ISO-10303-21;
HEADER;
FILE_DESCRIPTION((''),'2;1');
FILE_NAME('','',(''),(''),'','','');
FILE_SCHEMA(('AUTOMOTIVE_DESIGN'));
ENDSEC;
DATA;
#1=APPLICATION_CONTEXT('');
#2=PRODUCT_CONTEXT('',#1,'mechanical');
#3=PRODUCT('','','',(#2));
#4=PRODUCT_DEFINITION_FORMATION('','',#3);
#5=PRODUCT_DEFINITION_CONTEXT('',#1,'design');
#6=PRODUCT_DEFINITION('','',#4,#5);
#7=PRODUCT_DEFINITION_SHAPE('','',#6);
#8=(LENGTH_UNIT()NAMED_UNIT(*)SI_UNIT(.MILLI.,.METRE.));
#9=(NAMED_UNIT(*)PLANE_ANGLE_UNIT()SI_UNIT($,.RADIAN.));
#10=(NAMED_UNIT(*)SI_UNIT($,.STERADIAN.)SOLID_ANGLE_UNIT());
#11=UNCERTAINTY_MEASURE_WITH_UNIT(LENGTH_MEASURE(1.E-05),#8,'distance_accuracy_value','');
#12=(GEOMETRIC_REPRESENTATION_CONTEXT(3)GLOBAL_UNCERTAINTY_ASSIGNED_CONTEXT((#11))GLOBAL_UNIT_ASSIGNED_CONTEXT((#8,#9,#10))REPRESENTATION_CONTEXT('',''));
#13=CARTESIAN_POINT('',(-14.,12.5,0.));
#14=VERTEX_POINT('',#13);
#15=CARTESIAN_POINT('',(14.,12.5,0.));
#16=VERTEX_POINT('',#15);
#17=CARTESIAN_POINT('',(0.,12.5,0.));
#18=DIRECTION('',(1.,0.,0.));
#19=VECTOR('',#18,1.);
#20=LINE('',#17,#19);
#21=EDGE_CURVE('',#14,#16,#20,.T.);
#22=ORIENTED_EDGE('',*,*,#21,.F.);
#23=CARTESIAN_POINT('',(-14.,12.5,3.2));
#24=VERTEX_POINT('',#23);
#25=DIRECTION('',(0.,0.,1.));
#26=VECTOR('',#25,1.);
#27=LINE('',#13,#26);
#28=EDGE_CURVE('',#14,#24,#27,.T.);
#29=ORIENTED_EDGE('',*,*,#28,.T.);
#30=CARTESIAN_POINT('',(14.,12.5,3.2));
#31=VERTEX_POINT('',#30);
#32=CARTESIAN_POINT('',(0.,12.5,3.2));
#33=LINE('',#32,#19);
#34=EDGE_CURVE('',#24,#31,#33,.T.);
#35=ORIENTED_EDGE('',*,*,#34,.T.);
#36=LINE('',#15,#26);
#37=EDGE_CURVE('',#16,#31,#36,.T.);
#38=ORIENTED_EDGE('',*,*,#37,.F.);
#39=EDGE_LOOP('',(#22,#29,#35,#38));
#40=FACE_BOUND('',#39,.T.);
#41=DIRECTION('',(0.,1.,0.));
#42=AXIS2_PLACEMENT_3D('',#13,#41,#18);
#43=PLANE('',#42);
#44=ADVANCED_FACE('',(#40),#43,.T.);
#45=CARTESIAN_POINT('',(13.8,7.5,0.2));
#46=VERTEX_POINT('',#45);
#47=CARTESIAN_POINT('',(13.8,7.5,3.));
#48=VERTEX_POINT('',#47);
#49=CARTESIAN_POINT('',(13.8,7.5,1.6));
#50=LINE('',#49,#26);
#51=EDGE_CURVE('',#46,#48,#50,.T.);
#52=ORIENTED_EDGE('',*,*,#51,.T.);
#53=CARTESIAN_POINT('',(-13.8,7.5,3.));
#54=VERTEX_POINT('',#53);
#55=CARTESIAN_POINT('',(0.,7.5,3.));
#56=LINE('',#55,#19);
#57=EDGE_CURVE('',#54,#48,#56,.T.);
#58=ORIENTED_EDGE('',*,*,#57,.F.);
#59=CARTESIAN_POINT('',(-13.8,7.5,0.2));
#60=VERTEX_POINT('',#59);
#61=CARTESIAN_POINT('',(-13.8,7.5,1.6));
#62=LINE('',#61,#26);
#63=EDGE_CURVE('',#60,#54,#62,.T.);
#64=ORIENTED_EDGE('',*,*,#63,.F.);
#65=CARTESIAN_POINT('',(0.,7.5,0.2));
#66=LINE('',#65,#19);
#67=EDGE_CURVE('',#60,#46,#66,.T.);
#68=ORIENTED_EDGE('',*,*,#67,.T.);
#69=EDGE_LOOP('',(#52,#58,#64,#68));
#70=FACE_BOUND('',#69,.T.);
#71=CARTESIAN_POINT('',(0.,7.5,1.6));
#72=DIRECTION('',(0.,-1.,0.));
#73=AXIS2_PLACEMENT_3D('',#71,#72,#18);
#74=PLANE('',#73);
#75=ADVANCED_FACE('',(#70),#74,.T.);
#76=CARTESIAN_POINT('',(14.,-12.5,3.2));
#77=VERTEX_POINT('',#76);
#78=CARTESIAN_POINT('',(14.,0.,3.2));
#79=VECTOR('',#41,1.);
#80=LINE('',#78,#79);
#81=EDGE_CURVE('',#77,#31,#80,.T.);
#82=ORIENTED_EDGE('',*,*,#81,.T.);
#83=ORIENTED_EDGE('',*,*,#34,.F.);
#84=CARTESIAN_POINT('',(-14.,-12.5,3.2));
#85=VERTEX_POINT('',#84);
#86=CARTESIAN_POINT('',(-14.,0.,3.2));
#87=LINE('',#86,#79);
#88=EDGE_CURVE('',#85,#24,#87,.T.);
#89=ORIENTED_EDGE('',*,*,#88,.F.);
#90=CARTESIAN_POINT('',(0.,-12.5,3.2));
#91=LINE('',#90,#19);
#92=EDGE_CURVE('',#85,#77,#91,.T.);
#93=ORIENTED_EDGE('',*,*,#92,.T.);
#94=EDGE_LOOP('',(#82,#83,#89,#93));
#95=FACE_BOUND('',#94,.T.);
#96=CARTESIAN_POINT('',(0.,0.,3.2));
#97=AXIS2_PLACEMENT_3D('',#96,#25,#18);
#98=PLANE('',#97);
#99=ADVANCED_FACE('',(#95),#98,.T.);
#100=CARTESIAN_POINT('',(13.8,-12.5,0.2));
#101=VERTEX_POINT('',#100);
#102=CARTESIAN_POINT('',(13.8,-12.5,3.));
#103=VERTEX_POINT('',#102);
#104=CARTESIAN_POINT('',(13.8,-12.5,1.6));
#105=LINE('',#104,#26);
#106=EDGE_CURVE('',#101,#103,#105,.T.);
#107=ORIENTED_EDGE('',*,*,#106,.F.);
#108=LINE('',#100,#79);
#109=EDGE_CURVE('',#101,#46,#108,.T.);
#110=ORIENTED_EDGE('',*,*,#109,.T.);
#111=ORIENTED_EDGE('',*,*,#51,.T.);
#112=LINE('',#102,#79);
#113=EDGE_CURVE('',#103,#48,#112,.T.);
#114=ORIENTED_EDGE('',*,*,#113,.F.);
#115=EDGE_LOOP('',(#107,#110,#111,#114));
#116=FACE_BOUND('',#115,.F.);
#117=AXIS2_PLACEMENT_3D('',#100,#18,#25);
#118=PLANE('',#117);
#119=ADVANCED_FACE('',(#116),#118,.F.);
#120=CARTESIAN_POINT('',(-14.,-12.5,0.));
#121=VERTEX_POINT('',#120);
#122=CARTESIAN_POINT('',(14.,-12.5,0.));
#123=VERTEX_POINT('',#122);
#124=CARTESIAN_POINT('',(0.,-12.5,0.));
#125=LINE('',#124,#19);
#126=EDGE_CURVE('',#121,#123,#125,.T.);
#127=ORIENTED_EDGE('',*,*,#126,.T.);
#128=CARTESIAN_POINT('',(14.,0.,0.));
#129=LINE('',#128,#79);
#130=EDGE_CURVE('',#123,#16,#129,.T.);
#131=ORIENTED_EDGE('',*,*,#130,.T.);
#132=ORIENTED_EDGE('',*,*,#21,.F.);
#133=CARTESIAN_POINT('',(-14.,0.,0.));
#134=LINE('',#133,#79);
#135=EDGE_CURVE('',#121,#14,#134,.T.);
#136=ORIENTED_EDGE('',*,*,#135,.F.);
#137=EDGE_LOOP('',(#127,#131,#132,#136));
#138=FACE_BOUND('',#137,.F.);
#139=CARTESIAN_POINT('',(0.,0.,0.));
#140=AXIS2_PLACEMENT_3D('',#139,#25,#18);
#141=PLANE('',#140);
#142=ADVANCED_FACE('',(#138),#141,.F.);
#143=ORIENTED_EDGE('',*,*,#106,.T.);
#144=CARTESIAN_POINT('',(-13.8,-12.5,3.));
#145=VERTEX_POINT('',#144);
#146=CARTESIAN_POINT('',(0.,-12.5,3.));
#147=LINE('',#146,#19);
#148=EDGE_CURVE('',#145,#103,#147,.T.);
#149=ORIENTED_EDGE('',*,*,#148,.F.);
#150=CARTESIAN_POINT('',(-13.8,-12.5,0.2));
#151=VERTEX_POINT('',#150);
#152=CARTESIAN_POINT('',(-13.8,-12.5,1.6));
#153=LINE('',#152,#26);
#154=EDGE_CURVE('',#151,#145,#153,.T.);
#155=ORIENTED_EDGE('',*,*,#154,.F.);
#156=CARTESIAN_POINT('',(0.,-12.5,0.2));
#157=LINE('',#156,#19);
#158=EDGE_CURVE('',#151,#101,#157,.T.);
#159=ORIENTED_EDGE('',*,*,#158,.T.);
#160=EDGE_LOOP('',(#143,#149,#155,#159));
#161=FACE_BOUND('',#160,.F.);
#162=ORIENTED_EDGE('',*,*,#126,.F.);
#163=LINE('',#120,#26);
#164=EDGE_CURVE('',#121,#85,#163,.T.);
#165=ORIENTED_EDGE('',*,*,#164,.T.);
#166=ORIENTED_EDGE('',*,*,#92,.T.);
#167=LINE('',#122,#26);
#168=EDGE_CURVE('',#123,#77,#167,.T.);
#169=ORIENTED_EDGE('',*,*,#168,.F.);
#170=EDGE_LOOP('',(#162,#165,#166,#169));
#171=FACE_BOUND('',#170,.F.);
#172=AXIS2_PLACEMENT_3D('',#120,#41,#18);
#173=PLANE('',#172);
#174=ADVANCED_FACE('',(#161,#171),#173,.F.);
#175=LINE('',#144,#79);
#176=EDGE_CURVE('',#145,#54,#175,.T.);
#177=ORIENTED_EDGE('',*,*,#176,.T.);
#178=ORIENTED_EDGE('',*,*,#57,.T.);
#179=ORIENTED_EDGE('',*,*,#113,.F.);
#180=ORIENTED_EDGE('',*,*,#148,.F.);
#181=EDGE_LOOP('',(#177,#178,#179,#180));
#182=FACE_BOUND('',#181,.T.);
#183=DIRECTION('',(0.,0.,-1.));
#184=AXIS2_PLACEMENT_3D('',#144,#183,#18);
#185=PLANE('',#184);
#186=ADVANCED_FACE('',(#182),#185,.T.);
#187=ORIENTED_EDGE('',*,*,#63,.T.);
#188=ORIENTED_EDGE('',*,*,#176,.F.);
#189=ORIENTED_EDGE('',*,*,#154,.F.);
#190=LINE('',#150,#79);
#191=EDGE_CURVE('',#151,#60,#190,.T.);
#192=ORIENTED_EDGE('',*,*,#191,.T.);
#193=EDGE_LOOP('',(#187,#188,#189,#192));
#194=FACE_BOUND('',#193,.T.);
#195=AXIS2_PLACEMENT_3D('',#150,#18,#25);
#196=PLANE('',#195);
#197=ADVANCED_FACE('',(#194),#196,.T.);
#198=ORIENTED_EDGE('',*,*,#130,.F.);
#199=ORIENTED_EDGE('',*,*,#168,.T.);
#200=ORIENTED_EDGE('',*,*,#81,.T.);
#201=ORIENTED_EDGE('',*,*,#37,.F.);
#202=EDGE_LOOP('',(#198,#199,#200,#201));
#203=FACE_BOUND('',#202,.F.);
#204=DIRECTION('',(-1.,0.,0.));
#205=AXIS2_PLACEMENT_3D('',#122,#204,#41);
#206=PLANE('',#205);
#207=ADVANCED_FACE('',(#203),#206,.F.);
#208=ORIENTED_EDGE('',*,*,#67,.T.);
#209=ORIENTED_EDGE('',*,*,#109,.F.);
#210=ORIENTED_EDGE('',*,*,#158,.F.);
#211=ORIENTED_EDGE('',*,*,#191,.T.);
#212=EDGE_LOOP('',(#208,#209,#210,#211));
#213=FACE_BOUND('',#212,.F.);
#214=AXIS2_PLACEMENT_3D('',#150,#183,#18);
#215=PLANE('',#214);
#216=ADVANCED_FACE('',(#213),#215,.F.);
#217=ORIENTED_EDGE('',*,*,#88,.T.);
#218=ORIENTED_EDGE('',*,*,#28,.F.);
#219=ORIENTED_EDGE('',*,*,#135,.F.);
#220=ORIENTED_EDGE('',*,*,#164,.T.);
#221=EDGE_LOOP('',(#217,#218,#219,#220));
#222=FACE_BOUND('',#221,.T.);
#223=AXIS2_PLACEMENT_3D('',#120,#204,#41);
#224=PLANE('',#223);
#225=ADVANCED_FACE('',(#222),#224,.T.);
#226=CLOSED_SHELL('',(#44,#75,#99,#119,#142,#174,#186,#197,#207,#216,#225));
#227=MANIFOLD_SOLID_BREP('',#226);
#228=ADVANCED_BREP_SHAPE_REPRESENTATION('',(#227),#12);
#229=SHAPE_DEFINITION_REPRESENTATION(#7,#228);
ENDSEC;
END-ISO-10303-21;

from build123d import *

# Parameters (mm, degrees)
SKETCH_W     = 28
SKETCH_H     = 25
PAD_DEPTH    = 3.2
SKETCH001_W  = 27.6
SKETCH001_H  = 2.8
POCKET_DEPTH = 20


with BuildPart() as part:
    # Sketch → Pad (new body)
    with BuildSketch(Plane.XY):
        Rectangle(SKETCH_W, SKETCH_H)
    extrude(amount=PAD_DEPTH)

    # Sketch001 (on Face3 of Pad) → Pocket (cut)
    with BuildSketch(Plane.XZ.offset(12.5)):
        with Locations((0, 1.6)):
            Rectangle(SKETCH001_W, SKETCH001_H)
    extrude(amount=-POCKET_DEPTH, mode=Mode.SUBTRACT)


solid = part.part
